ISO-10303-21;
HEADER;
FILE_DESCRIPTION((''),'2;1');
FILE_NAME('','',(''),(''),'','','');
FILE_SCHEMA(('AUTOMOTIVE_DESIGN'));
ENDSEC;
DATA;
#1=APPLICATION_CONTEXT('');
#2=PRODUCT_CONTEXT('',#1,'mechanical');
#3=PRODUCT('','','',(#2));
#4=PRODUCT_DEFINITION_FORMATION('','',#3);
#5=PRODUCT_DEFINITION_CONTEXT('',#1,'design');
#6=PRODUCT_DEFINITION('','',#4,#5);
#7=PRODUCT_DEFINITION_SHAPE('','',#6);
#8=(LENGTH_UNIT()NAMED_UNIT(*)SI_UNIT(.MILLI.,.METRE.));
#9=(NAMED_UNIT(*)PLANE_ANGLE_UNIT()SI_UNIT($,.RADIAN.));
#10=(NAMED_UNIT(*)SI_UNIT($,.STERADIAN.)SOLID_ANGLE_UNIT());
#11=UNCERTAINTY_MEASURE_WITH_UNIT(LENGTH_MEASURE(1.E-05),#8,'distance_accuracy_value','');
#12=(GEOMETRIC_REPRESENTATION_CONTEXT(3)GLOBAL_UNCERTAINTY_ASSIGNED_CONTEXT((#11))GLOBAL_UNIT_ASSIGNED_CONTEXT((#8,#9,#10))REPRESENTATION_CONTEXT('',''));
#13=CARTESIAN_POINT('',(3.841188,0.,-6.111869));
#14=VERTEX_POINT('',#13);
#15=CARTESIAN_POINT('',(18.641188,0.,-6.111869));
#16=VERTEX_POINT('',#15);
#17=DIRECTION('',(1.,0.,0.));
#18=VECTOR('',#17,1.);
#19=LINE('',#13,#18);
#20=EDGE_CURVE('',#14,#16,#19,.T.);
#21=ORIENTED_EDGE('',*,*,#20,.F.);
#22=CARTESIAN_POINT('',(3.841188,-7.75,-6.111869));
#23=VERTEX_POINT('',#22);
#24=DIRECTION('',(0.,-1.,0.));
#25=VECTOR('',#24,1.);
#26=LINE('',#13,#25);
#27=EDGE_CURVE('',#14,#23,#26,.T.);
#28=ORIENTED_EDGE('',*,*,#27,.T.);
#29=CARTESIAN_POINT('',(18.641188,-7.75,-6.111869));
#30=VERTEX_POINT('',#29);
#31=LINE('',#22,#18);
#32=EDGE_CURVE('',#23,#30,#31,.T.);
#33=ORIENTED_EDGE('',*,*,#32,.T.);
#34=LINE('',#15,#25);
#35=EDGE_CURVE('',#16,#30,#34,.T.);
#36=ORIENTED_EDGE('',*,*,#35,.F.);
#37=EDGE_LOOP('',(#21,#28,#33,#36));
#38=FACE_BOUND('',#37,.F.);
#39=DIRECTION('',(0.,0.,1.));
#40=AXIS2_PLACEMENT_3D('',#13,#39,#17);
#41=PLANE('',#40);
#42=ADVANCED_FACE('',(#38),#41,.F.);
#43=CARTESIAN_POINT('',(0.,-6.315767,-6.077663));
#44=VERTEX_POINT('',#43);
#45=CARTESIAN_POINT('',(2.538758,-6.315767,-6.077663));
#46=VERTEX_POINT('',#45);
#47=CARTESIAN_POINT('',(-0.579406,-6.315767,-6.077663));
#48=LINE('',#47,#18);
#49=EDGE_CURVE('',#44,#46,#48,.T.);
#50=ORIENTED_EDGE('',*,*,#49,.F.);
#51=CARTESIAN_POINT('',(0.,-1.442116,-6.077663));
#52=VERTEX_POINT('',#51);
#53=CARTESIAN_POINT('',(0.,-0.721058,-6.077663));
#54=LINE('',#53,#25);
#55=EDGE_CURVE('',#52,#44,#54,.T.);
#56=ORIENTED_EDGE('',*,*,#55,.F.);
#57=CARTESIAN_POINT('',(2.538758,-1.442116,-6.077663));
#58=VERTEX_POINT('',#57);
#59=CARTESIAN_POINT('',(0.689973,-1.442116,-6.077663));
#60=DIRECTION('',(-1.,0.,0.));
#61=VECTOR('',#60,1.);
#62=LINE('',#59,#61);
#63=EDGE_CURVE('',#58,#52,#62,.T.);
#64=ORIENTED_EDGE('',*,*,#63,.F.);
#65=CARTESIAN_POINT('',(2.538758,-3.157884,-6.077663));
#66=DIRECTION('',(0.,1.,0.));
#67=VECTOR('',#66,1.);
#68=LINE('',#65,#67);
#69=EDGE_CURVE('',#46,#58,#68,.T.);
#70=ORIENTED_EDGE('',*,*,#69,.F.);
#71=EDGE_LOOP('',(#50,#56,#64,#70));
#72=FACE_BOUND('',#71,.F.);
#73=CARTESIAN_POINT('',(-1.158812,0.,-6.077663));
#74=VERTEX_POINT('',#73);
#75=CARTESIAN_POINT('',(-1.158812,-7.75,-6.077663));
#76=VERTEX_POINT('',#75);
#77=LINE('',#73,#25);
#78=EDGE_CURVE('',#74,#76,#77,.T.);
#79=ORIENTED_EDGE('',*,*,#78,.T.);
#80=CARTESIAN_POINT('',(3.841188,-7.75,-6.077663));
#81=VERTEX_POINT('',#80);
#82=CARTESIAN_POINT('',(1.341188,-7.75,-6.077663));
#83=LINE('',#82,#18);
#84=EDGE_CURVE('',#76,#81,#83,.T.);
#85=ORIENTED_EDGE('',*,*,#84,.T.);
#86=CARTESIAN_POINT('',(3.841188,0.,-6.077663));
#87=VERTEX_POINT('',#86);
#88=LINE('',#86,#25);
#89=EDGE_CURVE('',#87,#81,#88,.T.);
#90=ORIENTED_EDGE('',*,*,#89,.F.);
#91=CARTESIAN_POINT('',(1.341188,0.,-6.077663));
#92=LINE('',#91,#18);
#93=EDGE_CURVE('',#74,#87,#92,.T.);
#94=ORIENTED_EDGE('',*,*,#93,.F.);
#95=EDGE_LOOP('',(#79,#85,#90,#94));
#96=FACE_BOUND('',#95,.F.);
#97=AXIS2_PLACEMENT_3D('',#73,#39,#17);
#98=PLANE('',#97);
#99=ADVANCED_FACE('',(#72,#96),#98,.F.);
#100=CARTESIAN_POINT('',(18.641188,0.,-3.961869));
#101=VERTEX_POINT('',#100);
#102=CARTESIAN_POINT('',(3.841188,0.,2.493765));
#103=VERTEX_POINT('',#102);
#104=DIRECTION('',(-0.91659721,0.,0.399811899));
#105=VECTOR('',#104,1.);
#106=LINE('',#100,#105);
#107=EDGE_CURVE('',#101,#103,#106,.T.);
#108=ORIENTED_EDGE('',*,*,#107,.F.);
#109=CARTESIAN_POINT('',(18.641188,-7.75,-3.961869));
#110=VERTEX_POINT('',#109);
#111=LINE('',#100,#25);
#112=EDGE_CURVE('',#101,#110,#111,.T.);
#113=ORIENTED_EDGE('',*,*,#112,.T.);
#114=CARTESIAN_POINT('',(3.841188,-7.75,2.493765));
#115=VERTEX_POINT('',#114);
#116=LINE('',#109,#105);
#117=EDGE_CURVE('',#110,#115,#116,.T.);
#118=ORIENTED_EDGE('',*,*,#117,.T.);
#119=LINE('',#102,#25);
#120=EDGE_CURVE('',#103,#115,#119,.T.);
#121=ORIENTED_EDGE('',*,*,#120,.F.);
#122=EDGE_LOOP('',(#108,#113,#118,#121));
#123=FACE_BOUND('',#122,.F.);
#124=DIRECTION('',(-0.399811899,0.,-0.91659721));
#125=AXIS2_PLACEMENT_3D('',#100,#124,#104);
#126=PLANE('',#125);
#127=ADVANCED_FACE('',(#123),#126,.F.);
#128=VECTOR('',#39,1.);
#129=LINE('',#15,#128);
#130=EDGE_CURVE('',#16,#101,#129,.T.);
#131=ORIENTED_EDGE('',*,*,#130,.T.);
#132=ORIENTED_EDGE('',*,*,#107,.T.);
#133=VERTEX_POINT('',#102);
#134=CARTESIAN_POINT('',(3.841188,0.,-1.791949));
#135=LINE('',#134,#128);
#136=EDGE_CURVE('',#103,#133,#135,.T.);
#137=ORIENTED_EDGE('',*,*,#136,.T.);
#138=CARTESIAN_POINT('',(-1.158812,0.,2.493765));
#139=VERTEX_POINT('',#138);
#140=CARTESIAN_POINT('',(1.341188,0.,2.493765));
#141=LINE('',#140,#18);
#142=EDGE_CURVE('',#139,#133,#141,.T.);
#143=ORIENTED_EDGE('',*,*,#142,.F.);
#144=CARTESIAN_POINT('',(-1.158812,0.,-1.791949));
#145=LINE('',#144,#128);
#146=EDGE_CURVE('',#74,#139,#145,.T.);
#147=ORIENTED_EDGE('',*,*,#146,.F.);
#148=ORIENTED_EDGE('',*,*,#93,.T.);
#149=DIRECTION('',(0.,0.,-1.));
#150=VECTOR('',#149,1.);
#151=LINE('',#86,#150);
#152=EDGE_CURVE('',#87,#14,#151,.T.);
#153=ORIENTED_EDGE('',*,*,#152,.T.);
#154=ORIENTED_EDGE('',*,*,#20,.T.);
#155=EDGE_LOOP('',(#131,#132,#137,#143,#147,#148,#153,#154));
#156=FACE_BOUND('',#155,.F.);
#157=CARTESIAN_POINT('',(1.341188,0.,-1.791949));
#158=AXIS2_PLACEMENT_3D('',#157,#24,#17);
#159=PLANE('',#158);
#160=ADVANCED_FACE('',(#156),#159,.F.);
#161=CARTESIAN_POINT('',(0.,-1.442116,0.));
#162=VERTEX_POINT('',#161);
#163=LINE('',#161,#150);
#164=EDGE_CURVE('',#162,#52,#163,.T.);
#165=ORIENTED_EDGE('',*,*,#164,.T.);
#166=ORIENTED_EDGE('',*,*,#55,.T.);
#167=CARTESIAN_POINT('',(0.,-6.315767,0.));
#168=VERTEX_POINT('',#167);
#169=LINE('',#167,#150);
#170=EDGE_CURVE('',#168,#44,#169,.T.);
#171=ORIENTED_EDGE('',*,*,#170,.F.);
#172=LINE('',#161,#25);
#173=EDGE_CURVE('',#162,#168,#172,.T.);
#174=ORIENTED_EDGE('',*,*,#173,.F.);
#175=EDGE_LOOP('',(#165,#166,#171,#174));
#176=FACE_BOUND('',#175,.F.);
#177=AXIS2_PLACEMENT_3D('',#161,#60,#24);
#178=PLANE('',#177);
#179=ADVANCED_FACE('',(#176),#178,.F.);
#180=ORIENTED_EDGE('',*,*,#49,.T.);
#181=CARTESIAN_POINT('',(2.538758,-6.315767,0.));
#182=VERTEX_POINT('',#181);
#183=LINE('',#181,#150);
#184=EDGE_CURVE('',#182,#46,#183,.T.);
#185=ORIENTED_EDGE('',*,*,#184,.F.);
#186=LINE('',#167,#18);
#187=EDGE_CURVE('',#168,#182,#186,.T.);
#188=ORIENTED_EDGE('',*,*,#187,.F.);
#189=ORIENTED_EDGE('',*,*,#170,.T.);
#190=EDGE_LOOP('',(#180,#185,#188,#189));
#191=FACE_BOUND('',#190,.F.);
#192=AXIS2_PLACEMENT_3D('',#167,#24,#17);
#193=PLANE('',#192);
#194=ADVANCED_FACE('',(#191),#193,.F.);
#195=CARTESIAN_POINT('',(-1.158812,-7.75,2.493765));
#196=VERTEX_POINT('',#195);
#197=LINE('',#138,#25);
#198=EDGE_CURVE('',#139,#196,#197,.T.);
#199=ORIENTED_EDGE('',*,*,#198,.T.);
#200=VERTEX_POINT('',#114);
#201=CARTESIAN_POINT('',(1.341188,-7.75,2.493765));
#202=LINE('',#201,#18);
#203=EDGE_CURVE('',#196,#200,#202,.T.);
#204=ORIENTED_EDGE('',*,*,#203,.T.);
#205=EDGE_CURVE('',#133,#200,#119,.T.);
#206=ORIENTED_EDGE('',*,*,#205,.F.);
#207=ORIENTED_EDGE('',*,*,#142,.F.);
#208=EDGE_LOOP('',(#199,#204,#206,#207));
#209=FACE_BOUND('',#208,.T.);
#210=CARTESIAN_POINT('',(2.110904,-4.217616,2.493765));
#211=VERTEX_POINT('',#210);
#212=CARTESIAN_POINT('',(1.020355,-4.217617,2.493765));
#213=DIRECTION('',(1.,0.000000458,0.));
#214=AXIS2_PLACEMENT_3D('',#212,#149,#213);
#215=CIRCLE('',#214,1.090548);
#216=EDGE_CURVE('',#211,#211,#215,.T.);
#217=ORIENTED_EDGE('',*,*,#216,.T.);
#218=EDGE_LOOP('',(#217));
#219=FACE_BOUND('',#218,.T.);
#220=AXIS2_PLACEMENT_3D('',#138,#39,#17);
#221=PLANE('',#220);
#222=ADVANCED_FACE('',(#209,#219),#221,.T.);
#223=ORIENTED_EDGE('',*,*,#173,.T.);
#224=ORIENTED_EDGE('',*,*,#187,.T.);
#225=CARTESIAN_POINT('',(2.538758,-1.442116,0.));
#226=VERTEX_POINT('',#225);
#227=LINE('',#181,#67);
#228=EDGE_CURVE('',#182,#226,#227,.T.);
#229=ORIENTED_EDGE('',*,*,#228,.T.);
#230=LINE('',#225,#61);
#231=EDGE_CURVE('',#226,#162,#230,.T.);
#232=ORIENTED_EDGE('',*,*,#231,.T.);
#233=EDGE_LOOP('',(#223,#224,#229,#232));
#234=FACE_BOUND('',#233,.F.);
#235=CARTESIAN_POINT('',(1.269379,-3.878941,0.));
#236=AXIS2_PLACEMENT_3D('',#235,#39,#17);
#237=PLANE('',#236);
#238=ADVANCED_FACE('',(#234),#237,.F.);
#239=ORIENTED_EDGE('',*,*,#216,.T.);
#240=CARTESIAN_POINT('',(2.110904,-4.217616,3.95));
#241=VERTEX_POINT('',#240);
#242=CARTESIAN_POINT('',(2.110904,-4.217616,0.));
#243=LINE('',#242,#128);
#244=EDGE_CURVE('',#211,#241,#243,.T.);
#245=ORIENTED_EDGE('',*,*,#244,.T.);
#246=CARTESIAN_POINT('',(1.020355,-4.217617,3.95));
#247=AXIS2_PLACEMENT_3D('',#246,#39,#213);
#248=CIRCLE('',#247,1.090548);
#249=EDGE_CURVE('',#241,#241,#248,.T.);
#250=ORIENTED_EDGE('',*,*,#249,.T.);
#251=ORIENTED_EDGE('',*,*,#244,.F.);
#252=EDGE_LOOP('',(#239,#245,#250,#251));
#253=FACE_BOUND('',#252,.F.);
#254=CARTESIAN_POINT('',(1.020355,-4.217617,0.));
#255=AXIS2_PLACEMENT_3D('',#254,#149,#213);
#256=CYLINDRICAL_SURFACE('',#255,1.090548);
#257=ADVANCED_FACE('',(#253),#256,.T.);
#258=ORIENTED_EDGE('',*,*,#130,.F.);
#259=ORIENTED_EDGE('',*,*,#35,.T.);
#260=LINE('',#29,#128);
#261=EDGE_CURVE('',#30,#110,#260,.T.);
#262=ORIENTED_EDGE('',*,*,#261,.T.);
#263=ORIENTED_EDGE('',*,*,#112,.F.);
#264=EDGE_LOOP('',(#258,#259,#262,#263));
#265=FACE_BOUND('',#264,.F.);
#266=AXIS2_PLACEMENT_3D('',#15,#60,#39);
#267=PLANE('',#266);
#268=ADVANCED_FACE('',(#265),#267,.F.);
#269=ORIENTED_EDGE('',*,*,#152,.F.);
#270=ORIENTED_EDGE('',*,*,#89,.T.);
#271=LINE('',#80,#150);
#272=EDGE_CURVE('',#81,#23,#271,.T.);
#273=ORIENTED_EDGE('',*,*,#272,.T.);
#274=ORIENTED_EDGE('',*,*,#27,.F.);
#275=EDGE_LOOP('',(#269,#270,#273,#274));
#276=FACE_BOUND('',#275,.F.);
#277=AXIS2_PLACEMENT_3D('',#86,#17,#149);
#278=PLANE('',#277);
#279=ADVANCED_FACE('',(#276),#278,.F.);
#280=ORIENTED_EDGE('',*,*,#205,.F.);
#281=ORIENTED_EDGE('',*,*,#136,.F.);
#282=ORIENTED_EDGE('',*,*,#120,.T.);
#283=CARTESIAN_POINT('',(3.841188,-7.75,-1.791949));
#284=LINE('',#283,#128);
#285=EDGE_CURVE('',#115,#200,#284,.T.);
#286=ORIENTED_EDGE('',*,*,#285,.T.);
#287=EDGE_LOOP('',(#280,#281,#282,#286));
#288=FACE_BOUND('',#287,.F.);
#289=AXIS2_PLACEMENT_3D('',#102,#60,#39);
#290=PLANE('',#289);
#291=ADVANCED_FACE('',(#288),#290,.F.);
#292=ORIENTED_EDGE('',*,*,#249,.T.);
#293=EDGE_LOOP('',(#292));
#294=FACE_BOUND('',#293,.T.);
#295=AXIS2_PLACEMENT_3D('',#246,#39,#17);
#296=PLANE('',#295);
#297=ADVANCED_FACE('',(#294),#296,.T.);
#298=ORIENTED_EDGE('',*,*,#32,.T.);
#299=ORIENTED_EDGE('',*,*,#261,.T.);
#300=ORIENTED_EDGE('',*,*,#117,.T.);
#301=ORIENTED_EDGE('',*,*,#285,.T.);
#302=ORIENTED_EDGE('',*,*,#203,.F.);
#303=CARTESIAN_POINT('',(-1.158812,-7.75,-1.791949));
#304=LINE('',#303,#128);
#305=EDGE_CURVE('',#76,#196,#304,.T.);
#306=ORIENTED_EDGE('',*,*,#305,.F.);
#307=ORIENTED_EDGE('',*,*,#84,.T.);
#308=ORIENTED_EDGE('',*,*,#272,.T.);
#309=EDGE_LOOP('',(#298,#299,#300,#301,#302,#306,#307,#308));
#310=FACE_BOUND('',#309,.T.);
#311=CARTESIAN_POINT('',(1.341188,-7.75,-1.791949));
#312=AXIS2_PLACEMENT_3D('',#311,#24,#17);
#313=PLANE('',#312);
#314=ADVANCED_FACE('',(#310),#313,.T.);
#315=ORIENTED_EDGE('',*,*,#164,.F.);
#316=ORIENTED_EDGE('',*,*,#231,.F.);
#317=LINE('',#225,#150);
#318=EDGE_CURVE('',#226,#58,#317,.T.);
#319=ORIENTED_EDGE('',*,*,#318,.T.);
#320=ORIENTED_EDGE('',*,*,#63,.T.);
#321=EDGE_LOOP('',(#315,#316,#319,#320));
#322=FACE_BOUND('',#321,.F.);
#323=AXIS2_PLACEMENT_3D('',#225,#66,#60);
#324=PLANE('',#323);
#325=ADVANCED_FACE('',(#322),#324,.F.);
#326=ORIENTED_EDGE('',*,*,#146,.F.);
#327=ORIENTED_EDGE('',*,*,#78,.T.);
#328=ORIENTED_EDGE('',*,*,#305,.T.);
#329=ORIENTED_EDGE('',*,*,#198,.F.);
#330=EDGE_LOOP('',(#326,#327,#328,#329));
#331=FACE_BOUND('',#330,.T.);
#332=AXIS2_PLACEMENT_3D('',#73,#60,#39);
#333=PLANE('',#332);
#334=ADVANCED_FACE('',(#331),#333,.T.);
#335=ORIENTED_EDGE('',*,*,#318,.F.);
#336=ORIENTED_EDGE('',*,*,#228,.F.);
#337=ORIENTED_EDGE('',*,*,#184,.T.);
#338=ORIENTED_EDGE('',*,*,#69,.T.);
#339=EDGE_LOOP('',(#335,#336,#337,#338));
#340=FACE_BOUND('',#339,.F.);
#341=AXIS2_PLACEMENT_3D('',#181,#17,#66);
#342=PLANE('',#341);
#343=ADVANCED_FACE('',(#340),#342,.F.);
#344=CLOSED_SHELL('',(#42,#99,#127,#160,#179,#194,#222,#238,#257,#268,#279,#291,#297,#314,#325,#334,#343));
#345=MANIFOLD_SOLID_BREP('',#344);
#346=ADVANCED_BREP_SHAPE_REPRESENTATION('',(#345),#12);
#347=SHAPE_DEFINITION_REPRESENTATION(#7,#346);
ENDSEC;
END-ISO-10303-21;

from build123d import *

# Parameters (mm, degrees)
F0_W     = 5
F0_H     = 8.571429
F1_DEPTH = 7.75
F3_DEPTH = 3.95
F5_DEPTH = 25
F6_W     = 1.201827
F6_H     = 7.746514
F7_DEPTH = 6
F8_DEPTH = 6


with BuildPart() as f1:
    # F0 (on Front) → F1 (new body)
    with BuildSketch(Plane.XZ):
        with Locations((1.341188, -1.791949)):
            Rectangle(F0_W, F0_H)
        Polygon((18.641188, -3.961869), (3.841188, 2.493765), (3.841188, -6.077664), (3.841188, -6.111869), (18.641188, -6.111869), align=None)
    extrude(amount=F1_DEPTH)

    # F2 (on Top) → F3 (join)
    with BuildSketch(Plane.XY):
        with BuildLine():
            ThreePointArc((-0.070193, -4.217616), (1.020355, -5.308165), (2.110904, -4.217616))
            ThreePointArc((2.110904, -4.217616), (1.020355, -3.127068), (-0.070193, -4.217616))
        make_face()
    extrude(amount=F3_DEPTH)

    # F4 (on Top) → F5 (cut)
    with BuildSketch(Plane.XY):
        Polygon((0, -1.442116), (0, -6.315767), (2.538758, -6.315767), (2.538758, -1.442116), (1.405665, -1.442116), align=None)
    extrude(amount=-F5_DEPTH, mode=Mode.SUBTRACT)

    # F6 (on Top) → F7 (join)
    with BuildSketch(Plane.XY):
        with Locations((3.216505, -3.873257)):
            Rectangle(F6_W, F6_H)
    extrude(amount=-F7_DEPTH)

    # F6 (on Top) → F8 (join)
    with BuildSketch(Plane.XY):
        with Locations((3.216505, -3.873257)):
            Rectangle(F6_W, F6_H)
    extrude(amount=-F8_DEPTH)


solid = f1.part
